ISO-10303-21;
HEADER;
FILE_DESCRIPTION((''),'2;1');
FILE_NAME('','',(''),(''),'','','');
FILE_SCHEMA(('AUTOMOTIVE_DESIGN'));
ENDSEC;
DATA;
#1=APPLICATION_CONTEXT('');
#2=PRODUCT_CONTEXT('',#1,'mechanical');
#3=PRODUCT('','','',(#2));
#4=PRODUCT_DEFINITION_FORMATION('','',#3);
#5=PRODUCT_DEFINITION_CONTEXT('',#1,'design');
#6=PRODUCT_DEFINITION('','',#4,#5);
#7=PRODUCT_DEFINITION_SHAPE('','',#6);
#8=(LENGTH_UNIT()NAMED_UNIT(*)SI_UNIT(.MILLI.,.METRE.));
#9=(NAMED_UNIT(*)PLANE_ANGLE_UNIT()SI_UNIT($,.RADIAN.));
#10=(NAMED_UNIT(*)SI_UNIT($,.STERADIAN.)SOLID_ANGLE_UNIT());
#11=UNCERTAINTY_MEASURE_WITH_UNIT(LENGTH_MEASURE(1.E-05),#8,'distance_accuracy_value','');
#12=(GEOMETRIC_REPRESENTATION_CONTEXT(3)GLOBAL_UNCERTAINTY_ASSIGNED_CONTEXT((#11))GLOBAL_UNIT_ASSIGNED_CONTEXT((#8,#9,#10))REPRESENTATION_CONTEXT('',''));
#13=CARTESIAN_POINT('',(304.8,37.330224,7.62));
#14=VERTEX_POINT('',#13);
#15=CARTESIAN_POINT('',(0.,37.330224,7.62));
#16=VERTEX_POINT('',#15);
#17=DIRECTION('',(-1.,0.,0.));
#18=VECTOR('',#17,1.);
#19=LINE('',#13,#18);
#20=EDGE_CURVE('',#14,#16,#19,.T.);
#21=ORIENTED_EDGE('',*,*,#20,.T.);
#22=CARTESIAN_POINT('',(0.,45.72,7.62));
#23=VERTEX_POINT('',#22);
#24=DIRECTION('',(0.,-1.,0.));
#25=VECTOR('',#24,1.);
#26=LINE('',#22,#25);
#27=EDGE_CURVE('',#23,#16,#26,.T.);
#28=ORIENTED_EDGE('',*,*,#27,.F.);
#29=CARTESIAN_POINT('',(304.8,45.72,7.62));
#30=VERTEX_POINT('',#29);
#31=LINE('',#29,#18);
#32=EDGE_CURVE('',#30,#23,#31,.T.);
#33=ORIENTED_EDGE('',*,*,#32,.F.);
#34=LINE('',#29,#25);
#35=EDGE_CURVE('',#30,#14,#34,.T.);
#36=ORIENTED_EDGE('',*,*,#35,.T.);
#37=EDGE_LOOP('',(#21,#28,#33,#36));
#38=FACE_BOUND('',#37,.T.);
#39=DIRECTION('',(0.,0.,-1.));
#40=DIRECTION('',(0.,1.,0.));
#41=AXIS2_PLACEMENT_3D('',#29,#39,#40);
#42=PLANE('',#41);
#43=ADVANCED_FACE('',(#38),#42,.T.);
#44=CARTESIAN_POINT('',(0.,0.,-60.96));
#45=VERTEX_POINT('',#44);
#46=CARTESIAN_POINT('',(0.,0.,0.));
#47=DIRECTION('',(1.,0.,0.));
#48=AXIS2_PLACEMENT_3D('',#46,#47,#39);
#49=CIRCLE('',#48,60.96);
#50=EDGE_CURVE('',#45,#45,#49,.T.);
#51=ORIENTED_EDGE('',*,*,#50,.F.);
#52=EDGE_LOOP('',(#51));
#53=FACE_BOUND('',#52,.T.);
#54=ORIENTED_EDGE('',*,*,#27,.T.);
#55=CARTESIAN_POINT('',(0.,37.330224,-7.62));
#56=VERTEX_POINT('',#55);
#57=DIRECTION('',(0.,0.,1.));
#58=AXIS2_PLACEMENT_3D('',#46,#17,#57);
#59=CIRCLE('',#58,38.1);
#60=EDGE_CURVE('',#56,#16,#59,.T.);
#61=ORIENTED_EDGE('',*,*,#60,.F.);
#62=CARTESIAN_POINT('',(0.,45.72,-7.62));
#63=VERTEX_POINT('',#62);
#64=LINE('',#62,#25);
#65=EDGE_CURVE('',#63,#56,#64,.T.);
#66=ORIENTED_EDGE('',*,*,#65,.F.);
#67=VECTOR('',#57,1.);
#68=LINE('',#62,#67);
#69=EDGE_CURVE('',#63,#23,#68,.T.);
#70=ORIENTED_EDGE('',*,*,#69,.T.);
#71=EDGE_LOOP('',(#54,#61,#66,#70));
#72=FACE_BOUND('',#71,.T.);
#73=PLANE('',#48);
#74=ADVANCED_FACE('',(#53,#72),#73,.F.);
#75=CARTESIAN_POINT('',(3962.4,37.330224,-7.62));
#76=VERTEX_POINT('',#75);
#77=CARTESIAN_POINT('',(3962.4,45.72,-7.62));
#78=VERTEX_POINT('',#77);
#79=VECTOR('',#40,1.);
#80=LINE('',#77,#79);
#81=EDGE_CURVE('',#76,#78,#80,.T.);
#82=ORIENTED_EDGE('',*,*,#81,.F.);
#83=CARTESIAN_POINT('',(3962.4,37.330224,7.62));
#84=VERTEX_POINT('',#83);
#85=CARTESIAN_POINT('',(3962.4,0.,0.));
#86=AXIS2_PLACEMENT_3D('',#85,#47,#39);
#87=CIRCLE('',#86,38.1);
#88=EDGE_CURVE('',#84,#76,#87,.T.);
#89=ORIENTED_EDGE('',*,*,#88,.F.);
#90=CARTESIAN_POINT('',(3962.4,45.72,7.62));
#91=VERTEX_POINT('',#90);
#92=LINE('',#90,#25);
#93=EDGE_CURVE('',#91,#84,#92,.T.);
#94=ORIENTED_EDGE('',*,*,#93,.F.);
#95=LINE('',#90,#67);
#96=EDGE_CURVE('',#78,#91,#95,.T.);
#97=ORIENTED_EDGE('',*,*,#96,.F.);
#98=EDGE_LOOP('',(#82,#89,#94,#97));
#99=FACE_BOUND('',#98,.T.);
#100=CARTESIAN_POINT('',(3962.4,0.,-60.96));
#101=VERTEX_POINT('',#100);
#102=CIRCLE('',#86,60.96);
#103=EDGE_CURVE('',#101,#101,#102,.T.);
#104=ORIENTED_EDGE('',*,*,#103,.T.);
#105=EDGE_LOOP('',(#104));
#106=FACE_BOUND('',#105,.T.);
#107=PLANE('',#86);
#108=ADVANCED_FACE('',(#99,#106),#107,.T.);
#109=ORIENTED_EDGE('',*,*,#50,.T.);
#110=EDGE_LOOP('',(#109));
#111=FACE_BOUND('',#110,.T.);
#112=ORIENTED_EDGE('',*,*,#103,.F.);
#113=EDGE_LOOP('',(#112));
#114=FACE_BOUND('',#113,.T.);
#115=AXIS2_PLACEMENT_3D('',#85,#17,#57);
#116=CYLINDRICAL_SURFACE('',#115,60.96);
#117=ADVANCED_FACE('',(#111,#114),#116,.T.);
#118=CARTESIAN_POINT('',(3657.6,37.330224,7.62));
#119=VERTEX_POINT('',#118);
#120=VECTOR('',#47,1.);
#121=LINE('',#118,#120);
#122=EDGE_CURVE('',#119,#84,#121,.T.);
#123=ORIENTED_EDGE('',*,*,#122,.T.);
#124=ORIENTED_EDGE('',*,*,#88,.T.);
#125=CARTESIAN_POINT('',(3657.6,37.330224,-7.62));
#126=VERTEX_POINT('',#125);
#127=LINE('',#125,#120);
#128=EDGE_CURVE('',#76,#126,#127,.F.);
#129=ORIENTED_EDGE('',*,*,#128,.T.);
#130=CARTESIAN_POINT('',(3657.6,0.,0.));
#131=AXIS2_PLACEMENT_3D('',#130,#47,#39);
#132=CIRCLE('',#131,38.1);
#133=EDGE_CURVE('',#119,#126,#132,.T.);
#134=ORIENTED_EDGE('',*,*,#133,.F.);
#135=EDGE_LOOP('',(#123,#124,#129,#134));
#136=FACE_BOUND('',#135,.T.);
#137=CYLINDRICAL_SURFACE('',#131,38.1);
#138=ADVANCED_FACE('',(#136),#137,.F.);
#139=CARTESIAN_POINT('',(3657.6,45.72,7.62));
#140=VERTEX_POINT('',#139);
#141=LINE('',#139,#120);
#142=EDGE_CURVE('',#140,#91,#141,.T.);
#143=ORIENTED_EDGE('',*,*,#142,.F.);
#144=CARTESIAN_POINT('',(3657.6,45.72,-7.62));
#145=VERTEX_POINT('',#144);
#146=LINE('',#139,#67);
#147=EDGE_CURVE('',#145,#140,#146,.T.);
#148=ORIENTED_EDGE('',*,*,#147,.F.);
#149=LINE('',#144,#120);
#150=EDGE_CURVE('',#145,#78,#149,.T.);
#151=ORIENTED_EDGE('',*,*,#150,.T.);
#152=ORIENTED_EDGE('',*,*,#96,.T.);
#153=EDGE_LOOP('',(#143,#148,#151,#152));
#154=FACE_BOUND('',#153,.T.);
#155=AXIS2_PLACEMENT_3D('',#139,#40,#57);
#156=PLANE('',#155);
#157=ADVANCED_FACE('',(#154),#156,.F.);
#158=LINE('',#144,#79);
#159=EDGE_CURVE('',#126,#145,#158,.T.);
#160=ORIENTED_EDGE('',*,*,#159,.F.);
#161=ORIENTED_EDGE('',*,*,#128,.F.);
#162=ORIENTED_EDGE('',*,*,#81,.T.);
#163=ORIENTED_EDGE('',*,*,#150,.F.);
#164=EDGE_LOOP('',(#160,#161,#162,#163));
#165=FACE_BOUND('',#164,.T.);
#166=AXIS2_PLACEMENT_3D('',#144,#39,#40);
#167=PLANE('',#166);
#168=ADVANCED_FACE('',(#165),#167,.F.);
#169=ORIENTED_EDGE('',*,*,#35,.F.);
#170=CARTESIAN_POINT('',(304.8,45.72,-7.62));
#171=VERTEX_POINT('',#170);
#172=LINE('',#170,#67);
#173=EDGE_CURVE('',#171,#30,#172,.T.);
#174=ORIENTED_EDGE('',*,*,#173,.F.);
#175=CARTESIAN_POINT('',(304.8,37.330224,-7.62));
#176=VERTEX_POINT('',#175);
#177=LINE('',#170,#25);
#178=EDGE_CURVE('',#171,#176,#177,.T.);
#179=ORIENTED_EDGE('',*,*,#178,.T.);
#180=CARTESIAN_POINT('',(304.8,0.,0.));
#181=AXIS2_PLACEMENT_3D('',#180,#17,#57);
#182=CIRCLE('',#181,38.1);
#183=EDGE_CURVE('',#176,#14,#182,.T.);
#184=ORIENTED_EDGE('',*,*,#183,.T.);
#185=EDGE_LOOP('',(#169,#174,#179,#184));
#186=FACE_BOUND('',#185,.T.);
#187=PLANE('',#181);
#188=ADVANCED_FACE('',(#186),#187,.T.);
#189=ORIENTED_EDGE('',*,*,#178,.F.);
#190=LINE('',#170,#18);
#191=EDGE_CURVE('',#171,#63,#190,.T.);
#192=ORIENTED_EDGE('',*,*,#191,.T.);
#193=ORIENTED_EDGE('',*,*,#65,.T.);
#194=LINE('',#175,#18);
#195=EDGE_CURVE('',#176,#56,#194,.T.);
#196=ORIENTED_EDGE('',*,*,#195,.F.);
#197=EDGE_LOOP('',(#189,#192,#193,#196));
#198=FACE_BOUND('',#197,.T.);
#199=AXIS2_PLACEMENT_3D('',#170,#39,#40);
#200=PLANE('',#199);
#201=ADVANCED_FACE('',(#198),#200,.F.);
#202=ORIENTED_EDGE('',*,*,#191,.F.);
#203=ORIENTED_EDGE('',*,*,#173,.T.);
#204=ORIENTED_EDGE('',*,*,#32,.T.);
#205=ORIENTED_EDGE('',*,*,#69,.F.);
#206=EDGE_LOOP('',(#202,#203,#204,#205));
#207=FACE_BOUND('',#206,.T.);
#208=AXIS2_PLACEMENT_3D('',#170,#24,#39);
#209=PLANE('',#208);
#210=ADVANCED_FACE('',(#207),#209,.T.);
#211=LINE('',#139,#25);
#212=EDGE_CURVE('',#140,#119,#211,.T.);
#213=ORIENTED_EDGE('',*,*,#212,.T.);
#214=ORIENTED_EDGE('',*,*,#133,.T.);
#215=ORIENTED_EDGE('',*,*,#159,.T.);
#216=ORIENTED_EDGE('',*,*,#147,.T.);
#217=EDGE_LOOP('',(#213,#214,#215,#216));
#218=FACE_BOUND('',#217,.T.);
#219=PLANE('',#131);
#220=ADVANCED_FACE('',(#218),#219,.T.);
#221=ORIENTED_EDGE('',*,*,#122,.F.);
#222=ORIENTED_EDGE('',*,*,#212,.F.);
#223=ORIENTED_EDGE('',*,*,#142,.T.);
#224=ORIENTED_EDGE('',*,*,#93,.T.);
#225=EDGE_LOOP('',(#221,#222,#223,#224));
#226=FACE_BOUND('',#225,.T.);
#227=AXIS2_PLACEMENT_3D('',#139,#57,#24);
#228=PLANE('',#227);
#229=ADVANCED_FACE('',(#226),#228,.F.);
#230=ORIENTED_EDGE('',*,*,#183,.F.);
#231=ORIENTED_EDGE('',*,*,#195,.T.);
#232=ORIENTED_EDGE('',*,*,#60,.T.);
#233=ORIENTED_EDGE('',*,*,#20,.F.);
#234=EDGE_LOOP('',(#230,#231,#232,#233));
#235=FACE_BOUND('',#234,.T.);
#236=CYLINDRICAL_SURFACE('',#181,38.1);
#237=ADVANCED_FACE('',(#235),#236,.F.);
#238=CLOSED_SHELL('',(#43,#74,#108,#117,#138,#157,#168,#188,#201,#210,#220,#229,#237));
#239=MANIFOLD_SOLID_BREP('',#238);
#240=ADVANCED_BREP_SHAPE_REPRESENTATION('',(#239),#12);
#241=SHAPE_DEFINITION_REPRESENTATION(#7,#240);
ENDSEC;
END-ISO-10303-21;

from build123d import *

# Parameters (mm, degrees)
SKETCH1_R           = 60.96
BOSS_EXTRUDE1_DEPTH = 3962.4
SKETCH2_R           = 38.1
CUT_EXTRUDE1_DEPTH  = 304.8
SKETCH3_W           = 15.24
SKETCH3_H           = 15.24
CUT_EXTRUDE2_DEPTH  = 304.8
CUT_EXTRUDE3_START  = -304.8
SKETCH4_R           = 38.1
CUT_EXTRUDE3_DEPTH  = 304.8
SKETCH5_W           = 15.24
SKETCH5_H           = 15.24
CUT_EXTRUDE4_DEPTH  = 304.8


with BuildPart() as part:
    # Sketch1 → Boss-Extrude1 (new body)
    with BuildSketch(Plane(origin=(0, 0, 0), x_dir=(0, 0, -1), z_dir=(1, 0, 0))):
        Circle(SKETCH1_R)
    extrude(amount=BOSS_EXTRUDE1_DEPTH)

    # Sketch2 → Cut-Extrude1 (cut)
    with BuildSketch(Plane.ZY):
        Circle(SKETCH2_R)
    extrude(amount=-CUT_EXTRUDE1_DEPTH, mode=Mode.SUBTRACT)

    # Sketch3 → Cut-Extrude2 (cut)
    with BuildSketch(Plane.ZY):
        with Locations((0, 38.1)):
            Rectangle(SKETCH3_W, SKETCH3_H)
    extrude(amount=-CUT_EXTRUDE2_DEPTH, mode=Mode.SUBTRACT)

    # Sketch4 → Cut-Extrude3 (cut)
    with BuildSketch(Plane(origin=(3962.4, 0, 0), x_dir=(0, 0, -1), z_dir=(1, 0, 0)).offset(CUT_EXTRUDE3_START)):
        Circle(SKETCH4_R)
    extrude(amount=CUT_EXTRUDE3_DEPTH, mode=Mode.SUBTRACT)

    # Sketch5 → Cut-Extrude4 (cut)
    with BuildSketch(Plane(origin=(3962.4, 0, 0), x_dir=(0, 0, -1), z_dir=(1, 0, 0))):
        with Locations((0, 38.1)):
            Rectangle(SKETCH5_W, SKETCH5_H)
    extrude(amount=-CUT_EXTRUDE4_DEPTH, mode=Mode.SUBTRACT)


solid = part.part
